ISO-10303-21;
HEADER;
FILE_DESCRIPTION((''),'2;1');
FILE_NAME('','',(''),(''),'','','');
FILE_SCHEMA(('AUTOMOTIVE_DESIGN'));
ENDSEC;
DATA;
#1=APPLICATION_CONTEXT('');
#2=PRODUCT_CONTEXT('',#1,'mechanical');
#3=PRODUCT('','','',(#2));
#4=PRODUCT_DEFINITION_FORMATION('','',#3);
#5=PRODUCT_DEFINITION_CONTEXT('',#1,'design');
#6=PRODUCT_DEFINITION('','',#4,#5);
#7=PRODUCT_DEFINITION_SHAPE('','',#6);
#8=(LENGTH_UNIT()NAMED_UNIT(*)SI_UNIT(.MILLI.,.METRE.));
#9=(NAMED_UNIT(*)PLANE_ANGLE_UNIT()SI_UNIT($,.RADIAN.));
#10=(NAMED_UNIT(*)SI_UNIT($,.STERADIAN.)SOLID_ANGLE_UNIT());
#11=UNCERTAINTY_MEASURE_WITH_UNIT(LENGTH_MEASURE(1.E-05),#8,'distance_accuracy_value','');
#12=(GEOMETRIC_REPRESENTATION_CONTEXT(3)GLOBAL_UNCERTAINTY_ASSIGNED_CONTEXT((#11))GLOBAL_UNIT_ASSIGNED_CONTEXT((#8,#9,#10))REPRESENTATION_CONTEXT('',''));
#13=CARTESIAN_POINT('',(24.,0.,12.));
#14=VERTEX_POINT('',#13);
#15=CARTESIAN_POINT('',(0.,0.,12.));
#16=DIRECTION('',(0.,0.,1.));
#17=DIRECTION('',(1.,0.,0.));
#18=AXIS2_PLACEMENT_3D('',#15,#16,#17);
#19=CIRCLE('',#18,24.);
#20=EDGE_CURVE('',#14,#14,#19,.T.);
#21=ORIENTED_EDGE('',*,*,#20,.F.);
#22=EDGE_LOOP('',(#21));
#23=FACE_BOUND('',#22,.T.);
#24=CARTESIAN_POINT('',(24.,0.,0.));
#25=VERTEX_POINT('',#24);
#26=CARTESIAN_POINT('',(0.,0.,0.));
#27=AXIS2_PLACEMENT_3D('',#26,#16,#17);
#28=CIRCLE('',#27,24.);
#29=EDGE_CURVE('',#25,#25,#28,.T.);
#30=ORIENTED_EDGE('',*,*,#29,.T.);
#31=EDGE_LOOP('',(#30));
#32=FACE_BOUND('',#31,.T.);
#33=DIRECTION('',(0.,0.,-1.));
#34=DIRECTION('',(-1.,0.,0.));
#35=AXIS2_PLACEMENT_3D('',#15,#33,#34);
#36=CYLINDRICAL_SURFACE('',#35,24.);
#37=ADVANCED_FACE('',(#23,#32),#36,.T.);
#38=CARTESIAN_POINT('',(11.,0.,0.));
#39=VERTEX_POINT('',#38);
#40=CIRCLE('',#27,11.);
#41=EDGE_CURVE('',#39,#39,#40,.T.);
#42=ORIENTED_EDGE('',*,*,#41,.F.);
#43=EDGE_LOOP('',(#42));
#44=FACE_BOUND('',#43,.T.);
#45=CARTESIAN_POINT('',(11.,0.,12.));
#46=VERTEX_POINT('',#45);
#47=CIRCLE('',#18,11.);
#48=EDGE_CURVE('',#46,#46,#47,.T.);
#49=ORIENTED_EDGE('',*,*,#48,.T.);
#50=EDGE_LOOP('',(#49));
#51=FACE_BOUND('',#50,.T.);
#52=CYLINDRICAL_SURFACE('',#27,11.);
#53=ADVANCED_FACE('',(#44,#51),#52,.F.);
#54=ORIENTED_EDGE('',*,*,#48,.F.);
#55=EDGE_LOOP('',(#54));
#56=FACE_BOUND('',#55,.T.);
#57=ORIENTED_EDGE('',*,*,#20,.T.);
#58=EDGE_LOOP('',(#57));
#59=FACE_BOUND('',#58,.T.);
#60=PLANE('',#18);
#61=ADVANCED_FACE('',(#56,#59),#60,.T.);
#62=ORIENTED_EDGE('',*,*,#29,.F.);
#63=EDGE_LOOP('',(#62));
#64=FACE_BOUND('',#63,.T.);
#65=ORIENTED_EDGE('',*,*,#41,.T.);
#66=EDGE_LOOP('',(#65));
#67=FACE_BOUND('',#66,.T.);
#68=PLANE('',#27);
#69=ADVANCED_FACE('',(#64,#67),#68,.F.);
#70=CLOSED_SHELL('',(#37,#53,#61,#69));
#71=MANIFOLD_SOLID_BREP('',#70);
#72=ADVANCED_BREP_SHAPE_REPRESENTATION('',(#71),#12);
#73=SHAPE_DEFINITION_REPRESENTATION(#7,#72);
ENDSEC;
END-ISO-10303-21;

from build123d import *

# Parameters (mm, degrees)
SKETCH_1_R                  = 24
LIFTING_EYE_ENVELOPE_DEPTH  = 12
SKETCH_2_R                  = 11
SHACKLE_PIN_CLEARANCE_DEPTH = 37


with BuildPart() as part:
    # 草图1 → Lifting_eye_envelope (new body)
    with BuildSketch(Plane.XY):
        Circle(SKETCH_1_R)
    extrude(amount=LIFTING_EYE_ENVELOPE_DEPTH)

    # 草图2 → Shackle_pin_clearance (cut, through all)
    with BuildSketch(Plane.XY.offset(12)):
        Circle(SKETCH_2_R)
    extrude(amount=-SHACKLE_PIN_CLEARANCE_DEPTH, mode=Mode.SUBTRACT)


solid = part.part
